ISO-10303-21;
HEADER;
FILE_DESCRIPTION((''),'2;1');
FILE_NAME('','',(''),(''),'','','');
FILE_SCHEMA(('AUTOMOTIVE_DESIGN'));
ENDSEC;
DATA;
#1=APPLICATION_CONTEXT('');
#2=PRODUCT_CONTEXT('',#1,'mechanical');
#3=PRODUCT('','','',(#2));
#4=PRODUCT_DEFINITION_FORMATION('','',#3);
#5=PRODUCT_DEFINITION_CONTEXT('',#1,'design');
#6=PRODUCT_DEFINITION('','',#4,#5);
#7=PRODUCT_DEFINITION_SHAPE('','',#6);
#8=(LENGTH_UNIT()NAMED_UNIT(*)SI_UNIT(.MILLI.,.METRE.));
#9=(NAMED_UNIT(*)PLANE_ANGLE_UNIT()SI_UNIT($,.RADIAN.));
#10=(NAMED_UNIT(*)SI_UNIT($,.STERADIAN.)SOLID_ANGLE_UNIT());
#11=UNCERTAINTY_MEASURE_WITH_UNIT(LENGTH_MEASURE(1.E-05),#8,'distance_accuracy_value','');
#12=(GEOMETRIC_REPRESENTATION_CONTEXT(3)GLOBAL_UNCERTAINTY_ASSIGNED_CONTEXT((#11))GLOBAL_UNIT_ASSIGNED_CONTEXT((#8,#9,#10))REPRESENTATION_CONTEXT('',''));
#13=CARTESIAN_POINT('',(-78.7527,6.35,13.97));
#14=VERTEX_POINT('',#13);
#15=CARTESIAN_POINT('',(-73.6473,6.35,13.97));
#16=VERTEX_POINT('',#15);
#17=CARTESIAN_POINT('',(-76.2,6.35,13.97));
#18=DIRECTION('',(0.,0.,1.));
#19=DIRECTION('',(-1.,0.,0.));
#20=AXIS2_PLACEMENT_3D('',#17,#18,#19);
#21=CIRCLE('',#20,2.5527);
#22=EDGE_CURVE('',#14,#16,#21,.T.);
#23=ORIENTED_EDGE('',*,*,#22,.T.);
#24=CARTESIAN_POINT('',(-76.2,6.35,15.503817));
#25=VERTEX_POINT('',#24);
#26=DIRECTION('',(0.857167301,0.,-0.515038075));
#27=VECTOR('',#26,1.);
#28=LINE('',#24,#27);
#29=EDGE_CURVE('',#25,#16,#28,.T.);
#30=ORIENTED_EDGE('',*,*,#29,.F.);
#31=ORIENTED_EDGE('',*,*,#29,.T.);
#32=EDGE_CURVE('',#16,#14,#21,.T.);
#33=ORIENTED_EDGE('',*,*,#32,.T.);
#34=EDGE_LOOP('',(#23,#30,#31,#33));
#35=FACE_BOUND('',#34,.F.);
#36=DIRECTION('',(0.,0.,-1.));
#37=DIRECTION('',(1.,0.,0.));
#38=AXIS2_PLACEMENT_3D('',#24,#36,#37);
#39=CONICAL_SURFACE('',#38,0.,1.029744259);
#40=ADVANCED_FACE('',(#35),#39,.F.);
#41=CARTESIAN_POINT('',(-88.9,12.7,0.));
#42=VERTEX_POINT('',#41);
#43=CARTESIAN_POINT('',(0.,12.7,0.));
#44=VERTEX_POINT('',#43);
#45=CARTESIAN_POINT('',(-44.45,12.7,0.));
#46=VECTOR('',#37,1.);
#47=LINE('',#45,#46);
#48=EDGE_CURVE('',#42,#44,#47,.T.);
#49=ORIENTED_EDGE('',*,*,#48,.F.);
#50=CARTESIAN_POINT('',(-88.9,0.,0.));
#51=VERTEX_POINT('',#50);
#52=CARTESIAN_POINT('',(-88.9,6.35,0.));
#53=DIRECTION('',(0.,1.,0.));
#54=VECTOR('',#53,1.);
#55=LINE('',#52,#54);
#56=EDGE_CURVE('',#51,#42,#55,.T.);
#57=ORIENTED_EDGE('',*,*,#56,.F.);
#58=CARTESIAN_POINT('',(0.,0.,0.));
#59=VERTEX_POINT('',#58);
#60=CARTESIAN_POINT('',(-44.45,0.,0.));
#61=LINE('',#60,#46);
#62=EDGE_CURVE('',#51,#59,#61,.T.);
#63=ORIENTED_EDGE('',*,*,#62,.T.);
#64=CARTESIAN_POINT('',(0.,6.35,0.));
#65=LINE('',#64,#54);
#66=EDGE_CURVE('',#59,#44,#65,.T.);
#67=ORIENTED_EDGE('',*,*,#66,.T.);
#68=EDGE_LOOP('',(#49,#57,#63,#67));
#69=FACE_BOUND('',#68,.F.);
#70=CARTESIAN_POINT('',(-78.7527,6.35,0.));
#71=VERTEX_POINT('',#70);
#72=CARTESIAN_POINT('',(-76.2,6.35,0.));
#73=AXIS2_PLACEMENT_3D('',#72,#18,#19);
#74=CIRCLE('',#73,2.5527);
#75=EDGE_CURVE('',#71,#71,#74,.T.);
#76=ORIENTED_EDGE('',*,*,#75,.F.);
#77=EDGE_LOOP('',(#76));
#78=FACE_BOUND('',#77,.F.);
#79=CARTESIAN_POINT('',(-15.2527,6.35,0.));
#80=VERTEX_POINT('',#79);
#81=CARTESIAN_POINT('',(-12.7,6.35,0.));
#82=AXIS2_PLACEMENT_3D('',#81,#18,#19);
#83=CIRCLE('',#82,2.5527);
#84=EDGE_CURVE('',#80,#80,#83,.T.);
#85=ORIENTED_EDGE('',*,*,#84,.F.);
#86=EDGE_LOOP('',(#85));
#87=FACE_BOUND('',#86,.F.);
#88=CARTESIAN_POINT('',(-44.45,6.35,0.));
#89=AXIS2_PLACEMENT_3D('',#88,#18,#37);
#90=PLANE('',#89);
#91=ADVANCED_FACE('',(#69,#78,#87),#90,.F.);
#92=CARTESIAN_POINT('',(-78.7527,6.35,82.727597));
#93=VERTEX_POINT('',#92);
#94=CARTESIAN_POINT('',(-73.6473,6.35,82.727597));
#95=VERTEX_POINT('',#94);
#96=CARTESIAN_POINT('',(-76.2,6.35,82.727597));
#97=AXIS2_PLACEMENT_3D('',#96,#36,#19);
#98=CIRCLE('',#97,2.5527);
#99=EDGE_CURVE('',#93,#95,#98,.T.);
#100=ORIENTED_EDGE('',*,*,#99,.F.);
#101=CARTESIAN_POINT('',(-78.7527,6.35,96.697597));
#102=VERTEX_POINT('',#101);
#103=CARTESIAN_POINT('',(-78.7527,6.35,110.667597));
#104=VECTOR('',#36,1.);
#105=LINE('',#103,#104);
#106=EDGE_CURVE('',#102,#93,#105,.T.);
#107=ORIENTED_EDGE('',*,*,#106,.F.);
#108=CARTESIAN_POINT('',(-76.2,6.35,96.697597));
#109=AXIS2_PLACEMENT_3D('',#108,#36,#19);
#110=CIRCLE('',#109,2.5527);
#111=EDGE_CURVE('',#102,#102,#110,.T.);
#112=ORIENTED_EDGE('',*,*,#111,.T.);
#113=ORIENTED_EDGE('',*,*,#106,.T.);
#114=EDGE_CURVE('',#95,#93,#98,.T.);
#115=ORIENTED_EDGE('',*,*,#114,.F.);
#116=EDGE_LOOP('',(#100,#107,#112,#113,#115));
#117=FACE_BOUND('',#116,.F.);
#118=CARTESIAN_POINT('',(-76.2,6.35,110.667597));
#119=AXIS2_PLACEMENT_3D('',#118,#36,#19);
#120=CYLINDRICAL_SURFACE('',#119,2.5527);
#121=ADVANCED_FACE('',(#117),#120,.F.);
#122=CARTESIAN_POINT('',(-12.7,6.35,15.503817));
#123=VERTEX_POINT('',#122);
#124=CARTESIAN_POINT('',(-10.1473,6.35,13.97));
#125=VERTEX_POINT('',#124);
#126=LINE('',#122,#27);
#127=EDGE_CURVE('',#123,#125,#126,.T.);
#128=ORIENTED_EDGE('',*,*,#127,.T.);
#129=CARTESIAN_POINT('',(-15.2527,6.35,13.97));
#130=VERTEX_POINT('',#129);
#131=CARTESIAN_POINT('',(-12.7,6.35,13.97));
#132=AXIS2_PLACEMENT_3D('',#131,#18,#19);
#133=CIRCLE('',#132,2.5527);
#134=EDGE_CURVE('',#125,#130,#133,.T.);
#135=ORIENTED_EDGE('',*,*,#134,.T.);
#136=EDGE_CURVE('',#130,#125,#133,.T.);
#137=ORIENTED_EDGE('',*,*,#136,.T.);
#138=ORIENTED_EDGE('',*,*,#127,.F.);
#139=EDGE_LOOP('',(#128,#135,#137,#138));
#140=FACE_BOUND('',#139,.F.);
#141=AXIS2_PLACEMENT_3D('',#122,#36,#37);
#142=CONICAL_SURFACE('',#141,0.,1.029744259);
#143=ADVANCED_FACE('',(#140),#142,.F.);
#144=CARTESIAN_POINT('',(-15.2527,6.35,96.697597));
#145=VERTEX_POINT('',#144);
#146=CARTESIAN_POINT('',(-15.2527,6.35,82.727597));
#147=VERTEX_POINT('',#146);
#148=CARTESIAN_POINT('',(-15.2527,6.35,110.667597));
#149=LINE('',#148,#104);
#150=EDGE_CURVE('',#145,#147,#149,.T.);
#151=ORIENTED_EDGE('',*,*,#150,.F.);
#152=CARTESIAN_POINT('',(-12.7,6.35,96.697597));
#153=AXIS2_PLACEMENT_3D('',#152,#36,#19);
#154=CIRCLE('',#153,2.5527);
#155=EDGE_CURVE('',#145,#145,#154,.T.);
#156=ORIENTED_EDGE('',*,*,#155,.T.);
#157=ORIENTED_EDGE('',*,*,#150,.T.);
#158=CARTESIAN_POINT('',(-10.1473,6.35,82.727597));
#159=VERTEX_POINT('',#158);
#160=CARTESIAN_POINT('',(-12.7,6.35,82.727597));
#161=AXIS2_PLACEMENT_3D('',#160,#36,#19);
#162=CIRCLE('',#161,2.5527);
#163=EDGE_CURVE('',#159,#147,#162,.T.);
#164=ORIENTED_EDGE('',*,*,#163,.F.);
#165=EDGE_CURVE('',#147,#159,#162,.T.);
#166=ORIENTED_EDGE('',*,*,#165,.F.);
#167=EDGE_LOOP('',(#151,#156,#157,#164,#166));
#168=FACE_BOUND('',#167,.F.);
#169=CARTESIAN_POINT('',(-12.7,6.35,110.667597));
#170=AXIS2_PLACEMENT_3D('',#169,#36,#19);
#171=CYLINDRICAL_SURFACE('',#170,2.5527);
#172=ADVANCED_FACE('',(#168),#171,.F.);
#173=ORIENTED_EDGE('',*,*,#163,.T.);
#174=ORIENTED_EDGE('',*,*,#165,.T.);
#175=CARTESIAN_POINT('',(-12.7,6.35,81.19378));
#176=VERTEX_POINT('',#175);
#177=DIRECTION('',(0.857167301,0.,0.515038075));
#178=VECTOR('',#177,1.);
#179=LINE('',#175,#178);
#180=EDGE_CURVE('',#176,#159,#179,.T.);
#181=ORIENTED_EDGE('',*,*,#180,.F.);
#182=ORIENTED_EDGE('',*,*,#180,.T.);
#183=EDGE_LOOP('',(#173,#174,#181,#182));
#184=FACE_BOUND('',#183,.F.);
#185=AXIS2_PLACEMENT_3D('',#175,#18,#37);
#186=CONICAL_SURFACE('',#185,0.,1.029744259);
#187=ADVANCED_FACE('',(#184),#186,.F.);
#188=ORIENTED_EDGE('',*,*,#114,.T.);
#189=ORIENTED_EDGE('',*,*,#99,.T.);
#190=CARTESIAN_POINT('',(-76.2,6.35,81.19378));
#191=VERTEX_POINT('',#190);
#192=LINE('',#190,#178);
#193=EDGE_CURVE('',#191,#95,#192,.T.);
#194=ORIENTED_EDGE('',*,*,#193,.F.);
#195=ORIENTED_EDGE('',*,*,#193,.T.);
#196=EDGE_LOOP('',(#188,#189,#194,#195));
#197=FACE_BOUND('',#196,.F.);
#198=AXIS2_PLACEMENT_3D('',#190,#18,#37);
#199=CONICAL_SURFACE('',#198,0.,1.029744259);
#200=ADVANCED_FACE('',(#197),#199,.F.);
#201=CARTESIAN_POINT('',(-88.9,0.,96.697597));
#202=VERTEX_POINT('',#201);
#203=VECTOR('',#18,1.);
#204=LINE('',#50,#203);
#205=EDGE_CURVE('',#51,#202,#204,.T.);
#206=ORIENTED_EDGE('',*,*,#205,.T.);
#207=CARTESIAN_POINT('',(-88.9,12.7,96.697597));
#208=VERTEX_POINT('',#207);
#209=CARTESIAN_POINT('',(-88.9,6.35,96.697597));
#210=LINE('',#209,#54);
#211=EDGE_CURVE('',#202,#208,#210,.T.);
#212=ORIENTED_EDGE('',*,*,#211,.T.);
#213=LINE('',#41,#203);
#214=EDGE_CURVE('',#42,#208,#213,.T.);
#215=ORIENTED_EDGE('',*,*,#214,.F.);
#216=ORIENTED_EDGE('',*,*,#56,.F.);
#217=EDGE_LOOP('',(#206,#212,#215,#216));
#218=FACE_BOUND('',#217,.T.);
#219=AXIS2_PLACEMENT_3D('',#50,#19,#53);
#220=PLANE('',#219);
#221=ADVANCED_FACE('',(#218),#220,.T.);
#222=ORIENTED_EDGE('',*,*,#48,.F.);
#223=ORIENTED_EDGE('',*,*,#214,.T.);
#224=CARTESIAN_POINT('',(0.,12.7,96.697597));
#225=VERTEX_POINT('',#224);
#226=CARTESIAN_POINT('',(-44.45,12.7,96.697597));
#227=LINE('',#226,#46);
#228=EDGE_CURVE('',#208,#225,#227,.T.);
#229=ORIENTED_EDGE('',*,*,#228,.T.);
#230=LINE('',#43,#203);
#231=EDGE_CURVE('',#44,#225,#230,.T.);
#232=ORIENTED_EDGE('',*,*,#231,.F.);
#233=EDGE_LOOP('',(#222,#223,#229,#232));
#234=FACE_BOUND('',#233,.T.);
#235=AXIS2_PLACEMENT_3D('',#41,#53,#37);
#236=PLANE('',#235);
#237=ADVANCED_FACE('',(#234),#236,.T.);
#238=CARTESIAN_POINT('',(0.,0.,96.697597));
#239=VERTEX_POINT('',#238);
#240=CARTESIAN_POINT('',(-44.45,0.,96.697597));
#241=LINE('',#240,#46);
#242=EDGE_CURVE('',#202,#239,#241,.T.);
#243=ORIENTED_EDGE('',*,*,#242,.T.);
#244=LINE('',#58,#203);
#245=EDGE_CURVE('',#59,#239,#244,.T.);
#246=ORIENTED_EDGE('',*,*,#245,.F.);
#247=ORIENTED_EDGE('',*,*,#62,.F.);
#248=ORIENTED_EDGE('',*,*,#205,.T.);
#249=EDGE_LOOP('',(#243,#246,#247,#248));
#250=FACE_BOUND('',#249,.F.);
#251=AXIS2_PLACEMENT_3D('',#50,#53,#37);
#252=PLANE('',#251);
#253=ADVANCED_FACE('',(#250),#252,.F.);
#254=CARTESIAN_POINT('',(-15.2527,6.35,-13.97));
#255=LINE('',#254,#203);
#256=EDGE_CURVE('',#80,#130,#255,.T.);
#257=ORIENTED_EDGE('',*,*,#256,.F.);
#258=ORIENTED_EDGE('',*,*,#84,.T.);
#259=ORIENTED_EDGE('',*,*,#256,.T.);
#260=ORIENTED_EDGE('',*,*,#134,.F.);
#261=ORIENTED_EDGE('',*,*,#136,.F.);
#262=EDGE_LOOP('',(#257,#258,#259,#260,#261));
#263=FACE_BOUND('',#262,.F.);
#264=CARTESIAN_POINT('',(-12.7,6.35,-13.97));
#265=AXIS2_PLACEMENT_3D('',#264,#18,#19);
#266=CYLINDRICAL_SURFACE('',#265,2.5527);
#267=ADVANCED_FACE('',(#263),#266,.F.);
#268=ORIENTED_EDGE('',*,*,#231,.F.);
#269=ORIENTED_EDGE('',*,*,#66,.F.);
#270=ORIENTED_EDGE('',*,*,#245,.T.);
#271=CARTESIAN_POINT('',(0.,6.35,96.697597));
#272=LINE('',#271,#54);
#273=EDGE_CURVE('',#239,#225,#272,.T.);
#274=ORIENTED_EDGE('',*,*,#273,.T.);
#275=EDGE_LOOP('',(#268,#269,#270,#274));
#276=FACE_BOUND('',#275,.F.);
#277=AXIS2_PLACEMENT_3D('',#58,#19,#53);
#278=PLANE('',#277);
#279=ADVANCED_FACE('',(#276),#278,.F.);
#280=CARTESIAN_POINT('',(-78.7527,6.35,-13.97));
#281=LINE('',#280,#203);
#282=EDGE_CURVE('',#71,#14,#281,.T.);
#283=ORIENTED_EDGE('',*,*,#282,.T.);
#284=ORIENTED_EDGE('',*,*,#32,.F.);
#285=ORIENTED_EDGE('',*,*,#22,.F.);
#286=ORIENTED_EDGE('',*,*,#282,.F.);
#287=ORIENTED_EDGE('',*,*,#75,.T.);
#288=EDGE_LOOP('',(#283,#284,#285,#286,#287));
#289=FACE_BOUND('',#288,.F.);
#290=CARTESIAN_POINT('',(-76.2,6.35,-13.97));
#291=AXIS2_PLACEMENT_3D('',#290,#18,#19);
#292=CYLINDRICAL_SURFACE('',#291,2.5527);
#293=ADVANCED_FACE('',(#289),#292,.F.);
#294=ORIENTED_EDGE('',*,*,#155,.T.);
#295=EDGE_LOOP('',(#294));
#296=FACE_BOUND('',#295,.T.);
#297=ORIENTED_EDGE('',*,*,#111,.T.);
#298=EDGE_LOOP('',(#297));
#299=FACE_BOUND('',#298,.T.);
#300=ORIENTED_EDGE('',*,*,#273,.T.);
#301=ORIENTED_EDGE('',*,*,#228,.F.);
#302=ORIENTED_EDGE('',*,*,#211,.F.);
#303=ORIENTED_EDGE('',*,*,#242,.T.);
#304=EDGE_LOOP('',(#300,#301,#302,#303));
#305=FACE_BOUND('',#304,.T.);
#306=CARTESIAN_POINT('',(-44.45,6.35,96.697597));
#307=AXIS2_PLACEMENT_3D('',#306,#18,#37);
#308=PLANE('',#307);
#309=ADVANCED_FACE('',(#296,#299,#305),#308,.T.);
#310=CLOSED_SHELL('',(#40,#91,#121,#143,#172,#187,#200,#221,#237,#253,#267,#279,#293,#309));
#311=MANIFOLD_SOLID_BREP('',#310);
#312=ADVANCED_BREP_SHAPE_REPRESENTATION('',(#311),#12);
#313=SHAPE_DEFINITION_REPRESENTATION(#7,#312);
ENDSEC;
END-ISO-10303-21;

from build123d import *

# Parameters (mm, degrees)
F0_W     = 88.9
F0_H     = 12.7
F1_DEPTH = 96.6975968
F3_D     = 5.1054
F3_DEPTH = 13.97
F3_TIP   = 1.5338169022
F5_D     = 5.1054
F5_DEPTH = 13.97
F5_TIP   = 1.5338169022


with BuildPart() as f1:
    # F0 (on Top) → F1 (new body)
    with BuildSketch(Plane.XY):
        with Locations((-44.45, 6.35)):
            Rectangle(F0_W, F0_H)
    extrude(amount=F1_DEPTH)

    # F3
    with Locations(Plane.XY.offset(96.6975968)):
        with Locations((-76.2, 6.35), (-12.7, 6.35)):
            Hole(F3_D / 2, depth=F3_DEPTH)
            with Locations((0, 0, -(F3_DEPTH + F3_TIP / 2))):  # 118° drill point
                Cone(0, F3_D / 2, F3_TIP, mode=Mode.SUBTRACT)

    # F5
    with Locations(Plane(origin=(0, 0, 0), x_dir=(1, 0, 0), z_dir=(0, 0, -1))):
        with Locations((-76.2, -6.35), (-12.7, -6.35)):
            Hole(F5_D / 2, depth=F5_DEPTH)
            with Locations((0, 0, -(F5_DEPTH + F5_TIP / 2))):  # 118° drill point
                Cone(0, F5_D / 2, F5_TIP, mode=Mode.SUBTRACT)


solid = f1.part
